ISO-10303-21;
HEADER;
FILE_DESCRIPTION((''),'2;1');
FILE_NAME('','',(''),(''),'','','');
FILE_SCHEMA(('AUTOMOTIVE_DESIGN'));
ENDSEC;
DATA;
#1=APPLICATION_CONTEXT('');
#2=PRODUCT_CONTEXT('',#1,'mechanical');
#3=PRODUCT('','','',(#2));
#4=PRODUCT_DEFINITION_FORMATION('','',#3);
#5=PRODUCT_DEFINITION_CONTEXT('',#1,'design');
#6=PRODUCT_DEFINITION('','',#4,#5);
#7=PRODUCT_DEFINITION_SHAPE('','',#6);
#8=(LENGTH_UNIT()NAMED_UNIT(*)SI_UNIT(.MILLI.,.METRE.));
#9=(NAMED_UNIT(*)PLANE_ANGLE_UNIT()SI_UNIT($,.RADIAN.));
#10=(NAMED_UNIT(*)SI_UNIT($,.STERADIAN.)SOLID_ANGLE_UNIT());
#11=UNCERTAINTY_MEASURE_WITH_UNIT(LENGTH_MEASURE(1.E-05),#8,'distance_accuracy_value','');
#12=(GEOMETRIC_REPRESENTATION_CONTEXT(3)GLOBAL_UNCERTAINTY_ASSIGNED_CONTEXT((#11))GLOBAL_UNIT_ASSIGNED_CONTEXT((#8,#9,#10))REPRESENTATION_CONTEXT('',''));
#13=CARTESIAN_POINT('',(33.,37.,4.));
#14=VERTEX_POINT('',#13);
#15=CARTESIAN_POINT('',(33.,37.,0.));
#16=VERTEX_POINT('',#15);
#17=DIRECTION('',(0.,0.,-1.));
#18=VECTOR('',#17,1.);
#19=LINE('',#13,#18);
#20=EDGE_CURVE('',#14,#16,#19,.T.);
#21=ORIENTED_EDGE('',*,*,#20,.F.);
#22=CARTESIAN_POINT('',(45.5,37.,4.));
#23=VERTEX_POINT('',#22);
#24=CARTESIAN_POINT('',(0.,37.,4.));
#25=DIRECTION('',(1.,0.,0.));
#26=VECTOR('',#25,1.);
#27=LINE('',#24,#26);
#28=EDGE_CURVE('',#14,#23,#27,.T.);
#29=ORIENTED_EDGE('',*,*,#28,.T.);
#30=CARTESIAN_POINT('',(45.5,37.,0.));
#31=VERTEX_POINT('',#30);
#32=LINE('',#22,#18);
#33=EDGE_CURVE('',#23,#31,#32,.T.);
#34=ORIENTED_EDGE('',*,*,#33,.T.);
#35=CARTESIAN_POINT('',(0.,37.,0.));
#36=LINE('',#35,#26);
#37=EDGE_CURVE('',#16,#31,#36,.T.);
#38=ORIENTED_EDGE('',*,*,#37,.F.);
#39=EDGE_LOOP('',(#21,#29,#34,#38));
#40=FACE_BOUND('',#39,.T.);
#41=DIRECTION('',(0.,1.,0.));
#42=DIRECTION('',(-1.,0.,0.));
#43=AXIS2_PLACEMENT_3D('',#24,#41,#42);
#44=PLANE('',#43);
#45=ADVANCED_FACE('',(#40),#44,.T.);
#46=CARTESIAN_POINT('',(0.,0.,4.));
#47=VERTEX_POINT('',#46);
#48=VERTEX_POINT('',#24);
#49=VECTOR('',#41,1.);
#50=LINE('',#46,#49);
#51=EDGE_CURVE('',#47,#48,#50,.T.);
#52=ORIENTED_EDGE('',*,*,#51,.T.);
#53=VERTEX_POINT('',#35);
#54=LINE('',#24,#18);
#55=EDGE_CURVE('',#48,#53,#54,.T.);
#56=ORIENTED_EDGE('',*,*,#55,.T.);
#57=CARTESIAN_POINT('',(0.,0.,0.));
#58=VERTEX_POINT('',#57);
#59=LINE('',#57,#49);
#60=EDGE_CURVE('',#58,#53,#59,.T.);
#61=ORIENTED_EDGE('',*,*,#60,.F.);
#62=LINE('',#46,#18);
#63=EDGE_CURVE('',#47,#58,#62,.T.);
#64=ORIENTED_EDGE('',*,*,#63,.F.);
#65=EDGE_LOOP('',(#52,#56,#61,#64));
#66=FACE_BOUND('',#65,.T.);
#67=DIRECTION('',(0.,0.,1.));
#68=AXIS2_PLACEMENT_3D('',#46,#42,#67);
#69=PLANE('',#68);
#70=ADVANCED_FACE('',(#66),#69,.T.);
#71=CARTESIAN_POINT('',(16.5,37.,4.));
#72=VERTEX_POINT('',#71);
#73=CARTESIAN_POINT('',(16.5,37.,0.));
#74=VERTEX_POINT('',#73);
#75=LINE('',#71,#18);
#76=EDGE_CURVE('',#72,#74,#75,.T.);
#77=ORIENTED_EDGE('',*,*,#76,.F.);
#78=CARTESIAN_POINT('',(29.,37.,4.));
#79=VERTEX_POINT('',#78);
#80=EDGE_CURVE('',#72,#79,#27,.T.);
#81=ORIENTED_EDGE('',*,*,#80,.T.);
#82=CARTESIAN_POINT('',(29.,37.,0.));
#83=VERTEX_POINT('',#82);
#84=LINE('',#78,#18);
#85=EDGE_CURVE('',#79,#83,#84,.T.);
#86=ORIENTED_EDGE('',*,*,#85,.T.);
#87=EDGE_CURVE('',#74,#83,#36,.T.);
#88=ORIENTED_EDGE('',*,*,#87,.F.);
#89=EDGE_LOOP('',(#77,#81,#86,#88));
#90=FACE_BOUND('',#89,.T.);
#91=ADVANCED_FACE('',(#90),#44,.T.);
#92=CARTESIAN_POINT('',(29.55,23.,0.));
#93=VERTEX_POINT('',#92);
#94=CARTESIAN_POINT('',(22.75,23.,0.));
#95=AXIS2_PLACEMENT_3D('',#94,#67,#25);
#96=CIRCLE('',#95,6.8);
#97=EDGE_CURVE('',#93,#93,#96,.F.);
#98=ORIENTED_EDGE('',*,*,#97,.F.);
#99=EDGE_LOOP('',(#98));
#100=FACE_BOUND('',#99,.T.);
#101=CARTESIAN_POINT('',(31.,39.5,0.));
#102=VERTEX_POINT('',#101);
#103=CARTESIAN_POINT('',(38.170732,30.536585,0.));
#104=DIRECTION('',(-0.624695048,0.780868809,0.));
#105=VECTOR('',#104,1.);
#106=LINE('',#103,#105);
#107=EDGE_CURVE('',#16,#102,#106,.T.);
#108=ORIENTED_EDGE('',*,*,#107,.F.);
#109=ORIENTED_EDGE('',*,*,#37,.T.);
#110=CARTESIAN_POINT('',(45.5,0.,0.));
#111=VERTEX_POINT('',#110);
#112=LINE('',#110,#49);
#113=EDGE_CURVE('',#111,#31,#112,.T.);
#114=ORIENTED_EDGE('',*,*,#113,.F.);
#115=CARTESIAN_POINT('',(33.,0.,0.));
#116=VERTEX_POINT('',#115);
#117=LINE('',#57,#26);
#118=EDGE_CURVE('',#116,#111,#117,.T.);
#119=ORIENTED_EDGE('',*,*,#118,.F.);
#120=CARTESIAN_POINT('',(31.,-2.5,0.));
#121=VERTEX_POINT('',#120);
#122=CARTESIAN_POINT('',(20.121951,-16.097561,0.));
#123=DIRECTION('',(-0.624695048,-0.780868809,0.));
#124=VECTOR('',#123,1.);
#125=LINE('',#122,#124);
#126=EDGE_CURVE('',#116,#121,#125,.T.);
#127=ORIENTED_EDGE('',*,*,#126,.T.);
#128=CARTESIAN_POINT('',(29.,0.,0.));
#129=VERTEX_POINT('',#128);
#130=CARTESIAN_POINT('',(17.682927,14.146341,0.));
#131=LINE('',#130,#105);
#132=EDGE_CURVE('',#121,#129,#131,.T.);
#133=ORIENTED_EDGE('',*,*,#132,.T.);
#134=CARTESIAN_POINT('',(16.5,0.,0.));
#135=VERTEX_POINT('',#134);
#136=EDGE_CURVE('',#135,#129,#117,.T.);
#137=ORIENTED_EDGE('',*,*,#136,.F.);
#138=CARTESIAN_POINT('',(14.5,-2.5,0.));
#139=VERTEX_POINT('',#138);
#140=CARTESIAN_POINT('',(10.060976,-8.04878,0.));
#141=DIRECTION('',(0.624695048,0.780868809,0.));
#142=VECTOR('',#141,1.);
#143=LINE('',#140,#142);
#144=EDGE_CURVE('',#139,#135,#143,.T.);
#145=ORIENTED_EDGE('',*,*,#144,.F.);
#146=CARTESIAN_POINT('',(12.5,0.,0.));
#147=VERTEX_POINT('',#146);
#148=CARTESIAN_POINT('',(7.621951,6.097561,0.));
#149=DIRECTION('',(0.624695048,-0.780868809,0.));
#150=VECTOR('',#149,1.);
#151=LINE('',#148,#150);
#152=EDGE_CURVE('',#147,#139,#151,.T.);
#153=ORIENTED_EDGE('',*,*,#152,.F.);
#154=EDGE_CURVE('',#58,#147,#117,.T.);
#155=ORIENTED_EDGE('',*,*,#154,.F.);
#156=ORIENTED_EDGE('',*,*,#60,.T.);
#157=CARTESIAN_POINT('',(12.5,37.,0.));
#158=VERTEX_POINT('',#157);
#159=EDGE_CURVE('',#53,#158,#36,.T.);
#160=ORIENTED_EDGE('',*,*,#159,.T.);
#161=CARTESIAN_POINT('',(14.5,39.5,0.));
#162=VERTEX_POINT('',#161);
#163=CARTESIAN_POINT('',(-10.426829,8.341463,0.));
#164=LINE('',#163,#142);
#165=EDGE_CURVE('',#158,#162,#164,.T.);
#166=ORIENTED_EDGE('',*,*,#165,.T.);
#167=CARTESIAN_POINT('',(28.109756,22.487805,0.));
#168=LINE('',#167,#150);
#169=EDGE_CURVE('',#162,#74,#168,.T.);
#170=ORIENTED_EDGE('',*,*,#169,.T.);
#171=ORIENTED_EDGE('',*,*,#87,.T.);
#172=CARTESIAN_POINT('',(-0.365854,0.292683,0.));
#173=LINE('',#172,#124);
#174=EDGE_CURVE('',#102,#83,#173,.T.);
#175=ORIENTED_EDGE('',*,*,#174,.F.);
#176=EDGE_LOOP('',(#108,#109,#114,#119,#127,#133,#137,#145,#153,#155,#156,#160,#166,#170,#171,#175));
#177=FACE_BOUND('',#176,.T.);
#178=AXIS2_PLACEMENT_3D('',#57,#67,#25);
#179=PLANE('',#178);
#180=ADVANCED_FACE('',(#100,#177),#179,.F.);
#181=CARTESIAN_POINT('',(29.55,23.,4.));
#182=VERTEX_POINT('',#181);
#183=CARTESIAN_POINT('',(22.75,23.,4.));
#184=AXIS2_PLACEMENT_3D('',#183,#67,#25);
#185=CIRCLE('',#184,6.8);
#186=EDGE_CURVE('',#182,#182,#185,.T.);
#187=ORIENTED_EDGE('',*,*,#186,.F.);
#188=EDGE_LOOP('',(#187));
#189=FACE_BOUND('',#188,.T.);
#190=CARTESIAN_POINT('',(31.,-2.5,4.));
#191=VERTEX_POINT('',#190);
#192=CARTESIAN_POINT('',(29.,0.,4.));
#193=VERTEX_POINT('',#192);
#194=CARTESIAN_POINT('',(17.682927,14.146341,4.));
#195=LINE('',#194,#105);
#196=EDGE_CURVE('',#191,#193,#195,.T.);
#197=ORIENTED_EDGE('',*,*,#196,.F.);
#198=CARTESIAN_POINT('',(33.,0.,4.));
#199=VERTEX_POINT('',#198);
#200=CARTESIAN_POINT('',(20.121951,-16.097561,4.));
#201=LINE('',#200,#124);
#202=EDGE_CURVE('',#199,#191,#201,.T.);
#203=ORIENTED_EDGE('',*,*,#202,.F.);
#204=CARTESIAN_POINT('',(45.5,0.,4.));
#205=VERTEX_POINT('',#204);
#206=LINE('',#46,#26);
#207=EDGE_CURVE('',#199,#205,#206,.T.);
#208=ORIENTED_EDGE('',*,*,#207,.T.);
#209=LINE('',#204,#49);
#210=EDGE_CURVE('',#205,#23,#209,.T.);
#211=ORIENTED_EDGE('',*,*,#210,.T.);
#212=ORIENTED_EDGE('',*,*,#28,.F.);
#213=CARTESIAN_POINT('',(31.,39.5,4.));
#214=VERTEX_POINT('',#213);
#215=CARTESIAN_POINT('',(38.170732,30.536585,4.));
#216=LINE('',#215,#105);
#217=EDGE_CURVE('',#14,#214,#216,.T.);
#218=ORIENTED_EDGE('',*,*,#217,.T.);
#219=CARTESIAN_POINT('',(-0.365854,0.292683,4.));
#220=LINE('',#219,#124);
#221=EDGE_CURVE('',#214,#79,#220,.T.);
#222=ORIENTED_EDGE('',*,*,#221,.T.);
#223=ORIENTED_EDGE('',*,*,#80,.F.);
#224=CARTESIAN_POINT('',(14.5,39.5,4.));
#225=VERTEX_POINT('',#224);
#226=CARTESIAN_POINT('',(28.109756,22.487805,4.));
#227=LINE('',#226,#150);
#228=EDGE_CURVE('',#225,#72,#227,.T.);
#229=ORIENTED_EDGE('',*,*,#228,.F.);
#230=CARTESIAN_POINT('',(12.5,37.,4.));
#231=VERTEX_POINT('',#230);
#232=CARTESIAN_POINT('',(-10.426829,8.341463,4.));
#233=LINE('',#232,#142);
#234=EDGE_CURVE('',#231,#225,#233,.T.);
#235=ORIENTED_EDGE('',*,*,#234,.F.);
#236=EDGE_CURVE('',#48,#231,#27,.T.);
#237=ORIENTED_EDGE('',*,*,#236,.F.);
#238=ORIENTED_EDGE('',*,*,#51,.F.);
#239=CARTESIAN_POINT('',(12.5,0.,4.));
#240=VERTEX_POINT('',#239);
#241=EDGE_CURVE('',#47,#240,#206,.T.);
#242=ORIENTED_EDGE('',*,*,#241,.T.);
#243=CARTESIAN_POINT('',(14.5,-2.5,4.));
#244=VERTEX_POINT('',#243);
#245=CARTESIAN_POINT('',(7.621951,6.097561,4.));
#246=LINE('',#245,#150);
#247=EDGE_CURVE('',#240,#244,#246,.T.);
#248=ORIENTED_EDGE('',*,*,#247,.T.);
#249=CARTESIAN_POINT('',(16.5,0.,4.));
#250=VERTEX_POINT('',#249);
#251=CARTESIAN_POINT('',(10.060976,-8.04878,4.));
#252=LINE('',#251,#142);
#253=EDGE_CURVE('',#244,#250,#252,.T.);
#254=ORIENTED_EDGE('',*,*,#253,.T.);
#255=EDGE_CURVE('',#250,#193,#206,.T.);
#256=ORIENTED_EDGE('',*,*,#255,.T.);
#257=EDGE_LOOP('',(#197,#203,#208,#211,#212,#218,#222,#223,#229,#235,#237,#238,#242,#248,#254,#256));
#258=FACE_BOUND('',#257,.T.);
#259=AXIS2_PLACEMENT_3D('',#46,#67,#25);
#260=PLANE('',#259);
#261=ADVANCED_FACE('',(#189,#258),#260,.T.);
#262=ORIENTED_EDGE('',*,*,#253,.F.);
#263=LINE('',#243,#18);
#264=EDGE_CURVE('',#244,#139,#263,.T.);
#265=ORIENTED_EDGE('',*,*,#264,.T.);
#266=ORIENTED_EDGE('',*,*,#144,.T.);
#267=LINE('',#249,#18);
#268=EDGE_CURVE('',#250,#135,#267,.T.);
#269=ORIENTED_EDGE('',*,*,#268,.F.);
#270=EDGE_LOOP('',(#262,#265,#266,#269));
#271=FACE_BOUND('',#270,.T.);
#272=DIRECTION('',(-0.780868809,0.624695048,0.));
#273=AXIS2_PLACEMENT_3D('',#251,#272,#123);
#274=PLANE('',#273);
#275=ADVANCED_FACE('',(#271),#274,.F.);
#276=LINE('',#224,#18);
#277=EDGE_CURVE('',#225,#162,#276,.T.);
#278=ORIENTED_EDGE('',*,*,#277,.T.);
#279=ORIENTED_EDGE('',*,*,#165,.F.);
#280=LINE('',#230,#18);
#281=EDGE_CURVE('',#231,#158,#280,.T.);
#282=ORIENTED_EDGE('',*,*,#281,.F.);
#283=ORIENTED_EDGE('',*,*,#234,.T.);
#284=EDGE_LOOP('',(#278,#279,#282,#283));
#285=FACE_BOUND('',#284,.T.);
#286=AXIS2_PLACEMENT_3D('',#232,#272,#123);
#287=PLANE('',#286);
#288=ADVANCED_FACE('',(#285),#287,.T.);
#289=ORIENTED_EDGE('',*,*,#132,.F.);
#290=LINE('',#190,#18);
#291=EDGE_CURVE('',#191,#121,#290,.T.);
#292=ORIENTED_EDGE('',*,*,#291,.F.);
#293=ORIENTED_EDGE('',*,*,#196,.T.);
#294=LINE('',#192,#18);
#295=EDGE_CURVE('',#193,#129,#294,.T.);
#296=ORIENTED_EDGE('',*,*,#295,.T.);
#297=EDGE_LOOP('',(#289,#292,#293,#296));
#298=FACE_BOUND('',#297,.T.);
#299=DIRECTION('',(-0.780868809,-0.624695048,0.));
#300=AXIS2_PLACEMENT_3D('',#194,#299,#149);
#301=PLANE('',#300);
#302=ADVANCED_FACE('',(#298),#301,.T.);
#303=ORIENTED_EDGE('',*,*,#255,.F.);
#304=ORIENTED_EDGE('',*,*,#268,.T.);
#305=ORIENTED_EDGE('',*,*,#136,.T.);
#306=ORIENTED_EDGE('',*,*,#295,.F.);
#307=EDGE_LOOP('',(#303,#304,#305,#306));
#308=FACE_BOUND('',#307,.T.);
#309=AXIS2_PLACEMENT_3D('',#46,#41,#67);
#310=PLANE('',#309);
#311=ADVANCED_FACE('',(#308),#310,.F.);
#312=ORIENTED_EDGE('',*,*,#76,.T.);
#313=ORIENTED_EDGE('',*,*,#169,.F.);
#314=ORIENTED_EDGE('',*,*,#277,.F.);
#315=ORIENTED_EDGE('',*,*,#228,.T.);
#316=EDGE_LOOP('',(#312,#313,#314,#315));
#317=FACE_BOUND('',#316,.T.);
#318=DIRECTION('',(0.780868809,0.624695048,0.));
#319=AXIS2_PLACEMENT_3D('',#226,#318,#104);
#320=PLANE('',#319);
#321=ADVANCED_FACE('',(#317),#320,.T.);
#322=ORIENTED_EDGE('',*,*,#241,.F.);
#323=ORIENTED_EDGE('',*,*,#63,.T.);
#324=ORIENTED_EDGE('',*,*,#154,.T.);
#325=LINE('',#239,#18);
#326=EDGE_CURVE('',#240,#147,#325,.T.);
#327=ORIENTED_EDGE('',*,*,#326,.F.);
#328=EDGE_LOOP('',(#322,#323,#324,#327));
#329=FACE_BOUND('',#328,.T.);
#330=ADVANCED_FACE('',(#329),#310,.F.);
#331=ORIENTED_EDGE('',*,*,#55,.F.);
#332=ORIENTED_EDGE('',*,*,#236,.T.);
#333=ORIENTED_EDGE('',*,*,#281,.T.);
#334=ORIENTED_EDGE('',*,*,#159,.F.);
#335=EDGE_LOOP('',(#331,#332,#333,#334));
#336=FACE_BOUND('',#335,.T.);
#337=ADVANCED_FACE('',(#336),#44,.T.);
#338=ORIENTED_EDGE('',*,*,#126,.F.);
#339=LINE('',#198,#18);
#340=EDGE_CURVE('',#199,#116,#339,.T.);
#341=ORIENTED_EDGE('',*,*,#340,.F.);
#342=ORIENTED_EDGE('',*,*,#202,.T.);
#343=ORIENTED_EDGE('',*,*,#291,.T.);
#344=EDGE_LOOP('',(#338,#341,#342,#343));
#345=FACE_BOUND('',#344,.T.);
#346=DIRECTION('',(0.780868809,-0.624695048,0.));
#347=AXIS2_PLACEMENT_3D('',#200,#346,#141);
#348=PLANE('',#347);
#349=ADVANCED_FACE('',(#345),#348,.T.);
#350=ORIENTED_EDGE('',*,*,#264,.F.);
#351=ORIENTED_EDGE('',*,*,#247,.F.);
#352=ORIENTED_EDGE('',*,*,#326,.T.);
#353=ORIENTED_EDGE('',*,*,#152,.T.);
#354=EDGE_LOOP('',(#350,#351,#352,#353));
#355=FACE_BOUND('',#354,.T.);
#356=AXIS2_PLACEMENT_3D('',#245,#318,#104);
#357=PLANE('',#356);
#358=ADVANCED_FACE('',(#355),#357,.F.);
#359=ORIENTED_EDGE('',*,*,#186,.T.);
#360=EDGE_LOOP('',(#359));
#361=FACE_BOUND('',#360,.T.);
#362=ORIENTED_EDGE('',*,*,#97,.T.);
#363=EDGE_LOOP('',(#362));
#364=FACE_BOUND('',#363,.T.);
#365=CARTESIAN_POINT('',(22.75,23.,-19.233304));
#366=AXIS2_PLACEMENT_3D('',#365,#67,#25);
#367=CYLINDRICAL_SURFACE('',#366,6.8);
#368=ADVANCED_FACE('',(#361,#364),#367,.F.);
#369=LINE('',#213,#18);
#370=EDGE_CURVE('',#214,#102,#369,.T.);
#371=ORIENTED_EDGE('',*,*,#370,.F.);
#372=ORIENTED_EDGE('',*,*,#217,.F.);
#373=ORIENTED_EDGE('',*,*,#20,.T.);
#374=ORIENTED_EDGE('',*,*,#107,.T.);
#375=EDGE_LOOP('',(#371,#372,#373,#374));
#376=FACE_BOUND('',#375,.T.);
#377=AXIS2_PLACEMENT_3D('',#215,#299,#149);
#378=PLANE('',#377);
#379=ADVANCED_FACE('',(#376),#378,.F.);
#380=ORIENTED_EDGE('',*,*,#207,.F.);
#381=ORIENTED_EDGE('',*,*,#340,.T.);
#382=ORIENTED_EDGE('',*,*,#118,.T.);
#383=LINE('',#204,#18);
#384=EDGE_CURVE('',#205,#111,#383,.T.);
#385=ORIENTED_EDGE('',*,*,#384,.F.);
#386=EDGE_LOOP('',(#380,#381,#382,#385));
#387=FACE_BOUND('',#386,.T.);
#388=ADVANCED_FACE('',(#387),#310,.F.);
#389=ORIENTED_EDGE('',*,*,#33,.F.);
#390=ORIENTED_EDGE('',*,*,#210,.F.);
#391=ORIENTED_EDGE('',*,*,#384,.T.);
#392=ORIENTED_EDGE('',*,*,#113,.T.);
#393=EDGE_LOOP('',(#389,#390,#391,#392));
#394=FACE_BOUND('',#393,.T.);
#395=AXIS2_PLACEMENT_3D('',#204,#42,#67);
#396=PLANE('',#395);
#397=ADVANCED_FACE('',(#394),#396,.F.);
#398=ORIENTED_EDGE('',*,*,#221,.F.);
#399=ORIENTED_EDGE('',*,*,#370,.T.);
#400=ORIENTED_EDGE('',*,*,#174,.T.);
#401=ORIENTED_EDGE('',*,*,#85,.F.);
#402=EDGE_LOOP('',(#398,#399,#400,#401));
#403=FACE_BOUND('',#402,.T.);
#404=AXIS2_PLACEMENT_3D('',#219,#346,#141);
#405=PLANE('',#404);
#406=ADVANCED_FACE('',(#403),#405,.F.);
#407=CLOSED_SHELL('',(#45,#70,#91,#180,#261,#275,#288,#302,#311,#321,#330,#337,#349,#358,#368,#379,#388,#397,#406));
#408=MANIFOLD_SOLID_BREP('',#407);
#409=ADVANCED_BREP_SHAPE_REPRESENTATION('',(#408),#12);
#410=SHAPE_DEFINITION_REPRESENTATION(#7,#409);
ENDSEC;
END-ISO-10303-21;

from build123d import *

# Parameters (mm, degrees)
SKETCH1_W        = 45.5
SKETCH1_H        = 37
BASIS_DEPTH      = 4
SKETCH2_R        = 6.8
CAMERA_GAT_DEPTH = 4


with BuildPart() as part:
    # Sketch1 → Basis (new body)
    with BuildSketch(Plane.XY):
        with Locations((22.75, 18.5)):
            Rectangle(SKETCH1_W, SKETCH1_H)
        Polygon((14.5, 39.5), (12.5, 37), (16.5, 37), align=None)
        Polygon((31, 39.5), (29, 37), (33, 37), align=None)
        Polygon((16.5, 0), (12.5, 0), (14.5, -2.5), align=None)
        Polygon((33, 0), (29, 0), (31, -2.5), align=None)
    extrude(amount=BASIS_DEPTH)

    # Sketch2 → Camera gat (cut)
    with BuildSketch(Plane.XY.offset(4)):
        with Locations((22.75, 23)):
            Circle(SKETCH2_R)
    extrude(amount=-CAMERA_GAT_DEPTH, mode=Mode.SUBTRACT)


solid = part.part
